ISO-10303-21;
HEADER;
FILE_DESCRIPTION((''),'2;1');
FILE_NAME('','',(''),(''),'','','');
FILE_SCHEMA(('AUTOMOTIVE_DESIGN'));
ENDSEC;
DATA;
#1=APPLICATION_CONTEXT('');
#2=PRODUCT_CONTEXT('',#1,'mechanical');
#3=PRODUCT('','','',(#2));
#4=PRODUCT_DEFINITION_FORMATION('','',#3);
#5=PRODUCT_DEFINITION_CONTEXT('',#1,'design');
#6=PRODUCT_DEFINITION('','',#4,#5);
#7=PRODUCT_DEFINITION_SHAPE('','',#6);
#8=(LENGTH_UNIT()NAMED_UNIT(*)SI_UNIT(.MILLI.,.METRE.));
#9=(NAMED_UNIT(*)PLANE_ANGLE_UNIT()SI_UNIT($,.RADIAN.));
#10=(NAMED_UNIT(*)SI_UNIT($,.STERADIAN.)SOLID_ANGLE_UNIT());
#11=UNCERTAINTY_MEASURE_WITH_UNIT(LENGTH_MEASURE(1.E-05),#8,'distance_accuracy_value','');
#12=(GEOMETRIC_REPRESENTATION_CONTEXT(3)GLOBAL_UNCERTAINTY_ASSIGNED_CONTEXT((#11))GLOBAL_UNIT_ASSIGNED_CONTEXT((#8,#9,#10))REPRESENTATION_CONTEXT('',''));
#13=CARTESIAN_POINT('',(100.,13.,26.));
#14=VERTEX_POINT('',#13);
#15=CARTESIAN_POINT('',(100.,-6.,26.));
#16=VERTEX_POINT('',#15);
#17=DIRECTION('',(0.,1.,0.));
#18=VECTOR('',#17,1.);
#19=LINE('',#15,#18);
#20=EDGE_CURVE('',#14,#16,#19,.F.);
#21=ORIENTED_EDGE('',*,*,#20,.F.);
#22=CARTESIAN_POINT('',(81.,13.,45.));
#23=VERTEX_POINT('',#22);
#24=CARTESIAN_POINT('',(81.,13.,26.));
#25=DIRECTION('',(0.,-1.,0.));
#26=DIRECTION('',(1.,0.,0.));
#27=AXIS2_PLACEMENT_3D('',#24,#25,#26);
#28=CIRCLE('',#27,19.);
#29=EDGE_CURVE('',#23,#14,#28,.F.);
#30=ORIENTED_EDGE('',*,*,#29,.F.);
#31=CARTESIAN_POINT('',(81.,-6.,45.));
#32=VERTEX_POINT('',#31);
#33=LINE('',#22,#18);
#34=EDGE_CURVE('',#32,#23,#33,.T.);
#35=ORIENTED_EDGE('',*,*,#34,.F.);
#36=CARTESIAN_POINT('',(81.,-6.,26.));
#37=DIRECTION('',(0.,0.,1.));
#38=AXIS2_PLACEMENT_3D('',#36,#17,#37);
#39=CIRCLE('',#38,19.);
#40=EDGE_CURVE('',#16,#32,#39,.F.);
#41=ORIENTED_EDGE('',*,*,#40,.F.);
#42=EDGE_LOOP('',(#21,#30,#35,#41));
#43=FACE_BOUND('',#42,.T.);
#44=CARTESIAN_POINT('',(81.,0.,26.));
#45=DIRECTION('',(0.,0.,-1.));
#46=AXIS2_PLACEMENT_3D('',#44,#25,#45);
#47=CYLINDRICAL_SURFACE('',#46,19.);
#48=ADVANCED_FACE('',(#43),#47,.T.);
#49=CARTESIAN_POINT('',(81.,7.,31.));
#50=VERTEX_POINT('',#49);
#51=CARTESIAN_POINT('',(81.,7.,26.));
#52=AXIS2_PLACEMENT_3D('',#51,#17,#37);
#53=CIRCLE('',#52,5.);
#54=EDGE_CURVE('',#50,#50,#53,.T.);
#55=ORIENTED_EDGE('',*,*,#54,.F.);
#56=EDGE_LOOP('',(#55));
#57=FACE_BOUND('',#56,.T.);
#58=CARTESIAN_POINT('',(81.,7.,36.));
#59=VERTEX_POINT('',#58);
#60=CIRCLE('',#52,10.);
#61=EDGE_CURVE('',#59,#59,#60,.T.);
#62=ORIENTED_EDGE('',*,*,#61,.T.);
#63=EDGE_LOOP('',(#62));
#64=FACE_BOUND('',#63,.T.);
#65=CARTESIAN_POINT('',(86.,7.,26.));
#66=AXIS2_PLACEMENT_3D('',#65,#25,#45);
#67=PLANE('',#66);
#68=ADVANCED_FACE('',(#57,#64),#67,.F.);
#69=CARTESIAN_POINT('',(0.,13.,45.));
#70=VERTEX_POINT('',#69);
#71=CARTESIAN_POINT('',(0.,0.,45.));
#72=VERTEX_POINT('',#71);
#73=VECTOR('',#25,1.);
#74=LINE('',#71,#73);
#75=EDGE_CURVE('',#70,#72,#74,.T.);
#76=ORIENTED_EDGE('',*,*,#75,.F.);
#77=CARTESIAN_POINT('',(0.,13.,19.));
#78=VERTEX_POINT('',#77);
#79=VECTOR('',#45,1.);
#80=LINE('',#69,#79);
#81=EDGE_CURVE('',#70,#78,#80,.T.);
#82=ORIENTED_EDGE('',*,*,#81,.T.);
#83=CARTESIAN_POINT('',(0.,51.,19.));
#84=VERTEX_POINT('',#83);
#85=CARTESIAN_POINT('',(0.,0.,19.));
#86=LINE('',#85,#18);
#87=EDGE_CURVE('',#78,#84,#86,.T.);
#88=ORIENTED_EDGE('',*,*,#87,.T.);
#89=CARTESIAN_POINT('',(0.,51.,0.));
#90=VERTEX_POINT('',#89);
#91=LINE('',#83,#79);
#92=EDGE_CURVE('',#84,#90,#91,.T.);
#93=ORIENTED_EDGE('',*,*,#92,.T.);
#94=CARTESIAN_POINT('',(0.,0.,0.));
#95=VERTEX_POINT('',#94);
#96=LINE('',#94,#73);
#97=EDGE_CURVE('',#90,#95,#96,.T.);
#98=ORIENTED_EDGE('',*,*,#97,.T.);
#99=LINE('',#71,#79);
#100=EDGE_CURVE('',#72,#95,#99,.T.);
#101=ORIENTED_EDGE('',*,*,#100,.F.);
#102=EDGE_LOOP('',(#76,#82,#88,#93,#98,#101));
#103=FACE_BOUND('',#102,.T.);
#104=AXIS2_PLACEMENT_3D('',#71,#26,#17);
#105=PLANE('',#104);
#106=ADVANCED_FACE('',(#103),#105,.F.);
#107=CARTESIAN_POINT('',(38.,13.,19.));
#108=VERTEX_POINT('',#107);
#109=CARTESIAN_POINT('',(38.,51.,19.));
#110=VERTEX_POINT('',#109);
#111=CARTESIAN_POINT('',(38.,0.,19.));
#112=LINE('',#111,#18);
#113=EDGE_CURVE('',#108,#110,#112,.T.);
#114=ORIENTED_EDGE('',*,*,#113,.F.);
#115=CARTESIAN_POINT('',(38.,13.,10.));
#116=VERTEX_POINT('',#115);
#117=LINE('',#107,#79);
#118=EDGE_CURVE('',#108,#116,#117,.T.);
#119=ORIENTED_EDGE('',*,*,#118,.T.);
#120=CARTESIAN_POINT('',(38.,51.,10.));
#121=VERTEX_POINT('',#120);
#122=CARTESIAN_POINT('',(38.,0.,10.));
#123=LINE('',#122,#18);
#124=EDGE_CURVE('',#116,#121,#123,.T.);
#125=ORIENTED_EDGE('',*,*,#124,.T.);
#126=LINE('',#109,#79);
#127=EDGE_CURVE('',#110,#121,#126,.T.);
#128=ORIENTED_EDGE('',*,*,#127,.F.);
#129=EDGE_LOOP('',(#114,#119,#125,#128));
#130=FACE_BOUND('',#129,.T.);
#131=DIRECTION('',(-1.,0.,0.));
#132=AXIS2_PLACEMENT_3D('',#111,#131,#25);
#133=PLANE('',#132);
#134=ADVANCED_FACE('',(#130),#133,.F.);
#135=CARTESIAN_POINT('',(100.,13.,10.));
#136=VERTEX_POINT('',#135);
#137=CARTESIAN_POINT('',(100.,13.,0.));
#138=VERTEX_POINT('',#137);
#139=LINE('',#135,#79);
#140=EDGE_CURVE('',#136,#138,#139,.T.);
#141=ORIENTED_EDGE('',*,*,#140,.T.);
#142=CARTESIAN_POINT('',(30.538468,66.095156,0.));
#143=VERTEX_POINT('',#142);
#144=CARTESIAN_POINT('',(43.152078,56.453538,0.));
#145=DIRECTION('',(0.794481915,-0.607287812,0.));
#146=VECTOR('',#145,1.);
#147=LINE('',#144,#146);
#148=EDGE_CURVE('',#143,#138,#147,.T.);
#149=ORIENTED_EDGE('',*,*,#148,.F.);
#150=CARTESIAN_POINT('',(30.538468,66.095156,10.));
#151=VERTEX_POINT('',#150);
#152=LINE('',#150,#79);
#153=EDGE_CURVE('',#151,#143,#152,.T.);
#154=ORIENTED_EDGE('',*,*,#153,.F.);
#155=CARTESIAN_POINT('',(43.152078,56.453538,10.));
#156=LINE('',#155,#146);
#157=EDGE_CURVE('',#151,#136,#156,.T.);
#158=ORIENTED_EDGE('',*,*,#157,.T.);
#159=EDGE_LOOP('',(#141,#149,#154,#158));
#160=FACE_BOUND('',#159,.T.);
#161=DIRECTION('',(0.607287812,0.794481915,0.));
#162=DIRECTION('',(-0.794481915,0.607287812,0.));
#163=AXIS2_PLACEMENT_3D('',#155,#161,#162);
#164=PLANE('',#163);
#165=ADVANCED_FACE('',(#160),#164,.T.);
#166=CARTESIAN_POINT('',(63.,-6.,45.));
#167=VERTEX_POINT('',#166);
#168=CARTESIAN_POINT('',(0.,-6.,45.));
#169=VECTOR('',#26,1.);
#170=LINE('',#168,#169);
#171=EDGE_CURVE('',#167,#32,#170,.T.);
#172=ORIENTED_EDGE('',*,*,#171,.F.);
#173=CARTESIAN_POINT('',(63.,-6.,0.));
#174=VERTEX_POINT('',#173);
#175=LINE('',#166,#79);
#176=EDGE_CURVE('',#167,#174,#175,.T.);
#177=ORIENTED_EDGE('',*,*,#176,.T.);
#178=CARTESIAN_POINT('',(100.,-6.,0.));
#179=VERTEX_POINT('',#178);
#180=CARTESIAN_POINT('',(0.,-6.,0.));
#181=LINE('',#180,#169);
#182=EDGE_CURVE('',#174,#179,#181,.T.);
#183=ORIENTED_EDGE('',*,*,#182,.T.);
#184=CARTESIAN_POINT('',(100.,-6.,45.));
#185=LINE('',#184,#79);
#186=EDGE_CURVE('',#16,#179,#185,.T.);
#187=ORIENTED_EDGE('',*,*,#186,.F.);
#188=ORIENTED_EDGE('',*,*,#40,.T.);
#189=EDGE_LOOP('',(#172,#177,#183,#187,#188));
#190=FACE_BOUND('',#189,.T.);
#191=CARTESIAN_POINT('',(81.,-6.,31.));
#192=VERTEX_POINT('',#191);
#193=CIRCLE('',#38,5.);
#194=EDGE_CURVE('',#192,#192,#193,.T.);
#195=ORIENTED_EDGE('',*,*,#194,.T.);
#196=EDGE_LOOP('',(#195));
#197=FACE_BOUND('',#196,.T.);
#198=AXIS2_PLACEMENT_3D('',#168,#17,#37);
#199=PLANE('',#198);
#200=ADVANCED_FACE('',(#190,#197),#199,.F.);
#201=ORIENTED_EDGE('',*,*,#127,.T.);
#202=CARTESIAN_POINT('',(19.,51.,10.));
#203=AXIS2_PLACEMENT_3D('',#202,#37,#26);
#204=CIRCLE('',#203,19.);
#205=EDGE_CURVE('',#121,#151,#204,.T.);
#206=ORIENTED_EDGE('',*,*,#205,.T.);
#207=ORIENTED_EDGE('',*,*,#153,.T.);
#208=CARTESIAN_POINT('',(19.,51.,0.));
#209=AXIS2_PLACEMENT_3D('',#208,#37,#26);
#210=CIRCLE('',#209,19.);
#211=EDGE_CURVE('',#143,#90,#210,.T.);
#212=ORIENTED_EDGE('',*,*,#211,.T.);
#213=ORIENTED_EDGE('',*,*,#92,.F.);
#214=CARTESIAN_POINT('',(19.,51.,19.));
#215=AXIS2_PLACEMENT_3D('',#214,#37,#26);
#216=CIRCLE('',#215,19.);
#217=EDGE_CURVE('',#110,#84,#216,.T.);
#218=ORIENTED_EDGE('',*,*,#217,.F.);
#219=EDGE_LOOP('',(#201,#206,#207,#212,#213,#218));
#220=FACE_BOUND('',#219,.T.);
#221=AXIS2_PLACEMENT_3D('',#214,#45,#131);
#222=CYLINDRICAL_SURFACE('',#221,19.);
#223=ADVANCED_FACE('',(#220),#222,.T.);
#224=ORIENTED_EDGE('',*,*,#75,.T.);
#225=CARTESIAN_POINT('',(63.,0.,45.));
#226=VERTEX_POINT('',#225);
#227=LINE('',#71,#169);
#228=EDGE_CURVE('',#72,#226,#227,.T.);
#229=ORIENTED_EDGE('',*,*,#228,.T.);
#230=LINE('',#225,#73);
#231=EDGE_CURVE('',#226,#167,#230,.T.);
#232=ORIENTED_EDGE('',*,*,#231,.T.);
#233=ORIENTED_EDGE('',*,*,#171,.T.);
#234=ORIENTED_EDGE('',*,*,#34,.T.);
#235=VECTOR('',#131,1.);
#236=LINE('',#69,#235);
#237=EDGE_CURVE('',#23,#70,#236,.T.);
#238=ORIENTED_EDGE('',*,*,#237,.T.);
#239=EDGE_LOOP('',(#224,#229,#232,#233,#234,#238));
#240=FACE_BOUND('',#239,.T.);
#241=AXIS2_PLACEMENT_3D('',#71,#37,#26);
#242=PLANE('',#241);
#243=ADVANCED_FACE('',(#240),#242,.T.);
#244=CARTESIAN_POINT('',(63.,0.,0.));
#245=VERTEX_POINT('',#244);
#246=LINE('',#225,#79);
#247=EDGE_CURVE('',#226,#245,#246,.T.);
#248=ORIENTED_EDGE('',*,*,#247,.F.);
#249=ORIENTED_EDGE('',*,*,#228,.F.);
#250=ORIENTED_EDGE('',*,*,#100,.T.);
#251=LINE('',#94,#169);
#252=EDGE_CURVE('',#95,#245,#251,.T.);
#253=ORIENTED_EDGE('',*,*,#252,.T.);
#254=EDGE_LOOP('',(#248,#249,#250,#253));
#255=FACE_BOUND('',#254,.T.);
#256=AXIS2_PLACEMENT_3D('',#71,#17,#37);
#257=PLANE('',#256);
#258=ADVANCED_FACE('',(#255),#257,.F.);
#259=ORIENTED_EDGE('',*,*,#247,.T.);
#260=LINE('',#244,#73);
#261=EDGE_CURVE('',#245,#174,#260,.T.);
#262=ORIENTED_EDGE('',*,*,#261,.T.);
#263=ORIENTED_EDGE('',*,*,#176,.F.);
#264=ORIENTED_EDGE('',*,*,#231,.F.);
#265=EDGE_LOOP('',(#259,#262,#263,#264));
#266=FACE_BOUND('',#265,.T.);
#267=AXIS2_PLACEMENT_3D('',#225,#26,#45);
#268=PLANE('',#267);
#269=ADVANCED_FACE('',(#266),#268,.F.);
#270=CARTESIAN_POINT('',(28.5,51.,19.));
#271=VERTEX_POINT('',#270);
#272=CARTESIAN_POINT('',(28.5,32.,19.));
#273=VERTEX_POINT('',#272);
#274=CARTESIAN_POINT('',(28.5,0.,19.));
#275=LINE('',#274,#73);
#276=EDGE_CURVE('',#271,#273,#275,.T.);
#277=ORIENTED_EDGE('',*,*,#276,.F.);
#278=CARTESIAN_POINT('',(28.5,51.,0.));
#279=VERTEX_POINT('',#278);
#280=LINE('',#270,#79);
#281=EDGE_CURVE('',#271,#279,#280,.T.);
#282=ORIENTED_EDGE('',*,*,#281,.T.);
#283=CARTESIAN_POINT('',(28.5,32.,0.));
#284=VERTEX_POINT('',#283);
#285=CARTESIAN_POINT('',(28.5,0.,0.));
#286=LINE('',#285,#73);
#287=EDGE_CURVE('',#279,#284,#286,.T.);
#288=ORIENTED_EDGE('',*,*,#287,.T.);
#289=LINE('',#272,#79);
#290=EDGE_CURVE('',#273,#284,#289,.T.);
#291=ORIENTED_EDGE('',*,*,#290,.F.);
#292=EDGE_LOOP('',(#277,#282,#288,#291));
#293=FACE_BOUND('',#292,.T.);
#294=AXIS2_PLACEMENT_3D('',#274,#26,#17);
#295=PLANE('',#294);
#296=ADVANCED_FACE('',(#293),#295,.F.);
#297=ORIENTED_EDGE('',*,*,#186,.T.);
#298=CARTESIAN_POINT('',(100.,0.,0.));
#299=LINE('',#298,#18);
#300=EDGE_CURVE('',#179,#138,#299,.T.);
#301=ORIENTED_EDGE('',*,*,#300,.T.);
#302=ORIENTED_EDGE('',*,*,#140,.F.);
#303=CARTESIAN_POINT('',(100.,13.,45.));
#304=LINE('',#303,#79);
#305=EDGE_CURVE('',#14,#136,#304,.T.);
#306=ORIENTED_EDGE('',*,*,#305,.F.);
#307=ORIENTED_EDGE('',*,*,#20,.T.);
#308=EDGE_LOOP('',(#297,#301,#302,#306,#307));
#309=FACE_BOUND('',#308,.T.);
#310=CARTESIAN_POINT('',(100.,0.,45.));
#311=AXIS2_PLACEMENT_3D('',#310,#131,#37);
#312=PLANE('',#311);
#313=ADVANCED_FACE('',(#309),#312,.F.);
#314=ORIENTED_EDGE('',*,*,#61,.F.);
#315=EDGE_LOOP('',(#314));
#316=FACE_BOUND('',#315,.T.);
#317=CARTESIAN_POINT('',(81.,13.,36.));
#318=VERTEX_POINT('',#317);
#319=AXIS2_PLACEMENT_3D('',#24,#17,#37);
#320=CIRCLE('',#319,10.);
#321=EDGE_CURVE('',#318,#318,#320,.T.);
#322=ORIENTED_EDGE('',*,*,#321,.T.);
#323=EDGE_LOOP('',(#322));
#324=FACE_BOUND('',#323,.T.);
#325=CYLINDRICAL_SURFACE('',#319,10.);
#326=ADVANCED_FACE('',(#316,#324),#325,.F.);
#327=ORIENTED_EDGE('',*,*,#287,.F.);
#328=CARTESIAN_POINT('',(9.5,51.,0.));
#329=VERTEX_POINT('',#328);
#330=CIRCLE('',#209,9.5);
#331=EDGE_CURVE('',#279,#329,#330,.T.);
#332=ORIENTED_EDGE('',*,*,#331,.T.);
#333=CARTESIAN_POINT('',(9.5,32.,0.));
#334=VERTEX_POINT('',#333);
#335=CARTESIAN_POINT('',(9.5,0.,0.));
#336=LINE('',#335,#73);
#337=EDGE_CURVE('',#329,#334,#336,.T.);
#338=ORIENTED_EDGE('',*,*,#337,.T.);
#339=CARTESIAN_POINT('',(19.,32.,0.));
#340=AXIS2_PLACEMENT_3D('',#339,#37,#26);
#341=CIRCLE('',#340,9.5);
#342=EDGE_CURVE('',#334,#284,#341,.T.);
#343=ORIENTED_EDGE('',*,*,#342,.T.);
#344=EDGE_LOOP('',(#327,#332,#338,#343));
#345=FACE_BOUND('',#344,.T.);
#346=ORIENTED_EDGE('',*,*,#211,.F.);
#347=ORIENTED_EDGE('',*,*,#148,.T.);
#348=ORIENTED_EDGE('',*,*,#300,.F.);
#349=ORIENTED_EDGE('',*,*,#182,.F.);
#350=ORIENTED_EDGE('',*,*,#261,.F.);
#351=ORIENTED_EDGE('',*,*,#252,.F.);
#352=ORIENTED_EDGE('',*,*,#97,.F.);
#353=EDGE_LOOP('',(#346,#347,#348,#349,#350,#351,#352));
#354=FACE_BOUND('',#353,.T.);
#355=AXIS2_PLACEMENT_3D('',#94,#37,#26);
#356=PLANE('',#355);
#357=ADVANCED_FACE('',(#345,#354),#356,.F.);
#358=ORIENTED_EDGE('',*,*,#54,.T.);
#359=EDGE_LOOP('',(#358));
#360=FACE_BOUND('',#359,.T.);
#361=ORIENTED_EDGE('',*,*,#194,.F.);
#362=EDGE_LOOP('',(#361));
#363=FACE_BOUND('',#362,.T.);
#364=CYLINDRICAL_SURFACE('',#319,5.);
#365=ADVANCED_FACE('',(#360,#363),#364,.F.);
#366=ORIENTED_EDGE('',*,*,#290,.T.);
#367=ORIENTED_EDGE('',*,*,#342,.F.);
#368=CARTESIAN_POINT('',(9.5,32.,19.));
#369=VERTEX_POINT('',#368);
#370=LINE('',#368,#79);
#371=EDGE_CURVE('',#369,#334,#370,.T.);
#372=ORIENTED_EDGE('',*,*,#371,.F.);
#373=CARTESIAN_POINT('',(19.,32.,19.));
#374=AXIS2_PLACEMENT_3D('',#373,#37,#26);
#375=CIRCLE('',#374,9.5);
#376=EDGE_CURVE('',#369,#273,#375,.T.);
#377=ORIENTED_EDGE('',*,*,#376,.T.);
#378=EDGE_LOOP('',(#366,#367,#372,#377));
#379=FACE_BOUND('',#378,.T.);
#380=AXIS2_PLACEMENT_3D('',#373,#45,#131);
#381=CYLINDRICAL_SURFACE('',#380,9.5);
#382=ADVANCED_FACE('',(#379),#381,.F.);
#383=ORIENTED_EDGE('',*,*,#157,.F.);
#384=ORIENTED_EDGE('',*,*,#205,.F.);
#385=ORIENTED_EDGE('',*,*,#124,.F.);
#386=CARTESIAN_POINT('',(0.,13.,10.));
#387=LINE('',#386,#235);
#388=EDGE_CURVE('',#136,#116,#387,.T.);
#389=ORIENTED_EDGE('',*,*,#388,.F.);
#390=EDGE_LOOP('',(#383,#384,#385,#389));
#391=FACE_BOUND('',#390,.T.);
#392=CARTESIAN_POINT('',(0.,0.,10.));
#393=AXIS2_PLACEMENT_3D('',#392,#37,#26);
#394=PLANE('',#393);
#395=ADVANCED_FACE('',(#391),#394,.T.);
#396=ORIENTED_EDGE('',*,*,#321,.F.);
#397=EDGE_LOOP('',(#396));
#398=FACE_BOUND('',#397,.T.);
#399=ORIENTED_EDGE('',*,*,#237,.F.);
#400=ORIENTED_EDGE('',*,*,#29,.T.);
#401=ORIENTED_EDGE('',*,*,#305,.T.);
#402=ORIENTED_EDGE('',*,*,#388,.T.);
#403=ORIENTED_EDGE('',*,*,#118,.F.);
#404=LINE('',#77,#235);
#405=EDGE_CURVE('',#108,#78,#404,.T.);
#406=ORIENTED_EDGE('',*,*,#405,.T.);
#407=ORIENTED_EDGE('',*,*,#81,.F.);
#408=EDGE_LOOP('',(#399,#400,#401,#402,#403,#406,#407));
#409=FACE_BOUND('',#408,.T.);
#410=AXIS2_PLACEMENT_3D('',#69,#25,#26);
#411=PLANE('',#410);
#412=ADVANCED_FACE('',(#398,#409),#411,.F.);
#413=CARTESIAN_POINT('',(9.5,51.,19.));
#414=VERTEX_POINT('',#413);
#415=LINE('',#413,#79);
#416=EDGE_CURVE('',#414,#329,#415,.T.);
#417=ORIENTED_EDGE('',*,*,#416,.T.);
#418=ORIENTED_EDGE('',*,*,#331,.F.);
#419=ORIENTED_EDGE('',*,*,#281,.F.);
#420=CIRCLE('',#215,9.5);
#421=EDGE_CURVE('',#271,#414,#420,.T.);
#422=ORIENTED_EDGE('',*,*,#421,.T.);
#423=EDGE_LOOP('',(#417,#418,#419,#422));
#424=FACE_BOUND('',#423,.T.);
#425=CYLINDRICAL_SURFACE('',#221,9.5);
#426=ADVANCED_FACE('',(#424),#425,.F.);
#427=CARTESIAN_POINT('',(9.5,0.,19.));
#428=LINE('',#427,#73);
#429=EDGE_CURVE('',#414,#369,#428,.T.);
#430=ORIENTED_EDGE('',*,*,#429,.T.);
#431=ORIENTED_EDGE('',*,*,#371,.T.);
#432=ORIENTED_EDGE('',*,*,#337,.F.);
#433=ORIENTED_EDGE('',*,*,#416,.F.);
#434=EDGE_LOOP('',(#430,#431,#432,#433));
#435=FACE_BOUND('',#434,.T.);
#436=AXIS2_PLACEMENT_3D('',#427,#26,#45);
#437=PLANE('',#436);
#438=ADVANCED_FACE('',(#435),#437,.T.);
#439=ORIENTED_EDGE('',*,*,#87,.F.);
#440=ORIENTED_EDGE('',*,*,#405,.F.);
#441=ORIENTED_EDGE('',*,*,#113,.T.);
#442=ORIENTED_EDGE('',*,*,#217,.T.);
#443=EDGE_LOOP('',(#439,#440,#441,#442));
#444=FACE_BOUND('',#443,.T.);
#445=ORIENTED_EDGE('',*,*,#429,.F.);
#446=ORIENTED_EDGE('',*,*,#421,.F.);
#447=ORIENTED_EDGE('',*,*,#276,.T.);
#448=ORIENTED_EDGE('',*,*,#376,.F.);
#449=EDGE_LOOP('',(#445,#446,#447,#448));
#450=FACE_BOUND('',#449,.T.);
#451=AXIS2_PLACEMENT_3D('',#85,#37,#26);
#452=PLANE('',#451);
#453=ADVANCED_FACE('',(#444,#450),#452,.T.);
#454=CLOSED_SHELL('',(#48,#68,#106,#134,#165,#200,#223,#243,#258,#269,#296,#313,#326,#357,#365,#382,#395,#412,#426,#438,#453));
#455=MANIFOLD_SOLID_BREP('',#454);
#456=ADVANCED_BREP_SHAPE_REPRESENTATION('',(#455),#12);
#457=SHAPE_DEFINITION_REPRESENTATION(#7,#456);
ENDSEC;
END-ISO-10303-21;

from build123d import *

# Parameters (mm, degrees)
BOSS_EXTRUDE1_DEPTH                     = 45
BOSS_EXTRUDE2_DEPTH                     = 19
BOSS_EXTRUDE3_DEPTH                     = 10
FILLET1_R                               = 19
CBORE_FOR_M5_HEX_HEAD_BOLT1_D           = 10
CBORE_FOR_M5_HEX_HEAD_BOLT1_DEPTH       = 20
CBORE_FOR_M5_HEX_HEAD_BOLT1_CBORE_D     = 20
CBORE_FOR_M5_HEX_HEAD_BOLT1_CBORE_DEPTH = 6
CBORE_FOR_M5_HEX_HEAD_BOLT1_TIP         = 2.886751346


with BuildPart() as part:
    # Sketch1 → Boss-Extrude1 (new body)
    with BuildSketch(Plane.XY):
        Polygon((0, 13), (0, 0), (63, 0), (63, -6), (100, -6), (100, 13), (38, 13), align=None)
    extrude(amount=BOSS_EXTRUDE1_DEPTH)

    # Sketch1<3> → Boss-Extrude2 (add)
    with BuildSketch(Plane.XY):
        with BuildLine():
            Line((0, 51), (0, 13))
            Line((0, 13), (38, 13))
            Line((38, 13), (38, 51))
            ThreePointArc((38, 51), (36.032775759, 59.419296285), (30.538468428, 66.095156386))
            ThreePointArc((30.538468428, 66.095156386), (10.580703715, 68.032775759), (0, 51))
        make_face()
        with BuildLine():
            Line((9.5, 32), (9.5, 51))
            ThreePointArc((9.5, 51), (19, 60.5), (28.5, 51))
            Line((28.5, 51), (28.5, 32))
            ThreePointArc((28.5, 32), (19, 22.5), (9.5, 32))
        make_face(mode=Mode.SUBTRACT)
    extrude(amount=BOSS_EXTRUDE2_DEPTH)

    # Sketch1<4> → Boss-Extrude3 (add)
    with BuildSketch(Plane.XY):
        with BuildLine():
            Line((38, 51), (38, 13))
            Line((38, 13), (100, 13))
            Line((100, 13), (30.538468428, 66.095156386))
            ThreePointArc((30.538468428, 66.095156386), (36.032775759, 59.419296285), (38, 51))
        make_face()
    extrude(amount=BOSS_EXTRUDE3_DEPTH)

    # Fillet1
    fillet1_edges = [part.edges().sort_by_distance(p)[0] for p in [
        (100, 3.5, 45),
    ]]
    fillet(fillet1_edges, radius=FILLET1_R)

    # CBORE for M5 Hex Head Bolt1
    with Locations(Plane(origin=(0, 13, 0), x_dir=(1, 0, 0), z_dir=(0, 1, 0))):
        with Locations((81, -26)):
            CounterBoreHole(CBORE_FOR_M5_HEX_HEAD_BOLT1_D / 2, CBORE_FOR_M5_HEX_HEAD_BOLT1_CBORE_D / 2, CBORE_FOR_M5_HEX_HEAD_BOLT1_CBORE_DEPTH, depth=CBORE_FOR_M5_HEX_HEAD_BOLT1_DEPTH)
            with Locations((0, 0, -(CBORE_FOR_M5_HEX_HEAD_BOLT1_DEPTH + CBORE_FOR_M5_HEX_HEAD_BOLT1_TIP / 2))):  # 120° drill point
                Cone(0, CBORE_FOR_M5_HEX_HEAD_BOLT1_D / 2, CBORE_FOR_M5_HEX_HEAD_BOLT1_TIP, mode=Mode.SUBTRACT)


solid = part.part
